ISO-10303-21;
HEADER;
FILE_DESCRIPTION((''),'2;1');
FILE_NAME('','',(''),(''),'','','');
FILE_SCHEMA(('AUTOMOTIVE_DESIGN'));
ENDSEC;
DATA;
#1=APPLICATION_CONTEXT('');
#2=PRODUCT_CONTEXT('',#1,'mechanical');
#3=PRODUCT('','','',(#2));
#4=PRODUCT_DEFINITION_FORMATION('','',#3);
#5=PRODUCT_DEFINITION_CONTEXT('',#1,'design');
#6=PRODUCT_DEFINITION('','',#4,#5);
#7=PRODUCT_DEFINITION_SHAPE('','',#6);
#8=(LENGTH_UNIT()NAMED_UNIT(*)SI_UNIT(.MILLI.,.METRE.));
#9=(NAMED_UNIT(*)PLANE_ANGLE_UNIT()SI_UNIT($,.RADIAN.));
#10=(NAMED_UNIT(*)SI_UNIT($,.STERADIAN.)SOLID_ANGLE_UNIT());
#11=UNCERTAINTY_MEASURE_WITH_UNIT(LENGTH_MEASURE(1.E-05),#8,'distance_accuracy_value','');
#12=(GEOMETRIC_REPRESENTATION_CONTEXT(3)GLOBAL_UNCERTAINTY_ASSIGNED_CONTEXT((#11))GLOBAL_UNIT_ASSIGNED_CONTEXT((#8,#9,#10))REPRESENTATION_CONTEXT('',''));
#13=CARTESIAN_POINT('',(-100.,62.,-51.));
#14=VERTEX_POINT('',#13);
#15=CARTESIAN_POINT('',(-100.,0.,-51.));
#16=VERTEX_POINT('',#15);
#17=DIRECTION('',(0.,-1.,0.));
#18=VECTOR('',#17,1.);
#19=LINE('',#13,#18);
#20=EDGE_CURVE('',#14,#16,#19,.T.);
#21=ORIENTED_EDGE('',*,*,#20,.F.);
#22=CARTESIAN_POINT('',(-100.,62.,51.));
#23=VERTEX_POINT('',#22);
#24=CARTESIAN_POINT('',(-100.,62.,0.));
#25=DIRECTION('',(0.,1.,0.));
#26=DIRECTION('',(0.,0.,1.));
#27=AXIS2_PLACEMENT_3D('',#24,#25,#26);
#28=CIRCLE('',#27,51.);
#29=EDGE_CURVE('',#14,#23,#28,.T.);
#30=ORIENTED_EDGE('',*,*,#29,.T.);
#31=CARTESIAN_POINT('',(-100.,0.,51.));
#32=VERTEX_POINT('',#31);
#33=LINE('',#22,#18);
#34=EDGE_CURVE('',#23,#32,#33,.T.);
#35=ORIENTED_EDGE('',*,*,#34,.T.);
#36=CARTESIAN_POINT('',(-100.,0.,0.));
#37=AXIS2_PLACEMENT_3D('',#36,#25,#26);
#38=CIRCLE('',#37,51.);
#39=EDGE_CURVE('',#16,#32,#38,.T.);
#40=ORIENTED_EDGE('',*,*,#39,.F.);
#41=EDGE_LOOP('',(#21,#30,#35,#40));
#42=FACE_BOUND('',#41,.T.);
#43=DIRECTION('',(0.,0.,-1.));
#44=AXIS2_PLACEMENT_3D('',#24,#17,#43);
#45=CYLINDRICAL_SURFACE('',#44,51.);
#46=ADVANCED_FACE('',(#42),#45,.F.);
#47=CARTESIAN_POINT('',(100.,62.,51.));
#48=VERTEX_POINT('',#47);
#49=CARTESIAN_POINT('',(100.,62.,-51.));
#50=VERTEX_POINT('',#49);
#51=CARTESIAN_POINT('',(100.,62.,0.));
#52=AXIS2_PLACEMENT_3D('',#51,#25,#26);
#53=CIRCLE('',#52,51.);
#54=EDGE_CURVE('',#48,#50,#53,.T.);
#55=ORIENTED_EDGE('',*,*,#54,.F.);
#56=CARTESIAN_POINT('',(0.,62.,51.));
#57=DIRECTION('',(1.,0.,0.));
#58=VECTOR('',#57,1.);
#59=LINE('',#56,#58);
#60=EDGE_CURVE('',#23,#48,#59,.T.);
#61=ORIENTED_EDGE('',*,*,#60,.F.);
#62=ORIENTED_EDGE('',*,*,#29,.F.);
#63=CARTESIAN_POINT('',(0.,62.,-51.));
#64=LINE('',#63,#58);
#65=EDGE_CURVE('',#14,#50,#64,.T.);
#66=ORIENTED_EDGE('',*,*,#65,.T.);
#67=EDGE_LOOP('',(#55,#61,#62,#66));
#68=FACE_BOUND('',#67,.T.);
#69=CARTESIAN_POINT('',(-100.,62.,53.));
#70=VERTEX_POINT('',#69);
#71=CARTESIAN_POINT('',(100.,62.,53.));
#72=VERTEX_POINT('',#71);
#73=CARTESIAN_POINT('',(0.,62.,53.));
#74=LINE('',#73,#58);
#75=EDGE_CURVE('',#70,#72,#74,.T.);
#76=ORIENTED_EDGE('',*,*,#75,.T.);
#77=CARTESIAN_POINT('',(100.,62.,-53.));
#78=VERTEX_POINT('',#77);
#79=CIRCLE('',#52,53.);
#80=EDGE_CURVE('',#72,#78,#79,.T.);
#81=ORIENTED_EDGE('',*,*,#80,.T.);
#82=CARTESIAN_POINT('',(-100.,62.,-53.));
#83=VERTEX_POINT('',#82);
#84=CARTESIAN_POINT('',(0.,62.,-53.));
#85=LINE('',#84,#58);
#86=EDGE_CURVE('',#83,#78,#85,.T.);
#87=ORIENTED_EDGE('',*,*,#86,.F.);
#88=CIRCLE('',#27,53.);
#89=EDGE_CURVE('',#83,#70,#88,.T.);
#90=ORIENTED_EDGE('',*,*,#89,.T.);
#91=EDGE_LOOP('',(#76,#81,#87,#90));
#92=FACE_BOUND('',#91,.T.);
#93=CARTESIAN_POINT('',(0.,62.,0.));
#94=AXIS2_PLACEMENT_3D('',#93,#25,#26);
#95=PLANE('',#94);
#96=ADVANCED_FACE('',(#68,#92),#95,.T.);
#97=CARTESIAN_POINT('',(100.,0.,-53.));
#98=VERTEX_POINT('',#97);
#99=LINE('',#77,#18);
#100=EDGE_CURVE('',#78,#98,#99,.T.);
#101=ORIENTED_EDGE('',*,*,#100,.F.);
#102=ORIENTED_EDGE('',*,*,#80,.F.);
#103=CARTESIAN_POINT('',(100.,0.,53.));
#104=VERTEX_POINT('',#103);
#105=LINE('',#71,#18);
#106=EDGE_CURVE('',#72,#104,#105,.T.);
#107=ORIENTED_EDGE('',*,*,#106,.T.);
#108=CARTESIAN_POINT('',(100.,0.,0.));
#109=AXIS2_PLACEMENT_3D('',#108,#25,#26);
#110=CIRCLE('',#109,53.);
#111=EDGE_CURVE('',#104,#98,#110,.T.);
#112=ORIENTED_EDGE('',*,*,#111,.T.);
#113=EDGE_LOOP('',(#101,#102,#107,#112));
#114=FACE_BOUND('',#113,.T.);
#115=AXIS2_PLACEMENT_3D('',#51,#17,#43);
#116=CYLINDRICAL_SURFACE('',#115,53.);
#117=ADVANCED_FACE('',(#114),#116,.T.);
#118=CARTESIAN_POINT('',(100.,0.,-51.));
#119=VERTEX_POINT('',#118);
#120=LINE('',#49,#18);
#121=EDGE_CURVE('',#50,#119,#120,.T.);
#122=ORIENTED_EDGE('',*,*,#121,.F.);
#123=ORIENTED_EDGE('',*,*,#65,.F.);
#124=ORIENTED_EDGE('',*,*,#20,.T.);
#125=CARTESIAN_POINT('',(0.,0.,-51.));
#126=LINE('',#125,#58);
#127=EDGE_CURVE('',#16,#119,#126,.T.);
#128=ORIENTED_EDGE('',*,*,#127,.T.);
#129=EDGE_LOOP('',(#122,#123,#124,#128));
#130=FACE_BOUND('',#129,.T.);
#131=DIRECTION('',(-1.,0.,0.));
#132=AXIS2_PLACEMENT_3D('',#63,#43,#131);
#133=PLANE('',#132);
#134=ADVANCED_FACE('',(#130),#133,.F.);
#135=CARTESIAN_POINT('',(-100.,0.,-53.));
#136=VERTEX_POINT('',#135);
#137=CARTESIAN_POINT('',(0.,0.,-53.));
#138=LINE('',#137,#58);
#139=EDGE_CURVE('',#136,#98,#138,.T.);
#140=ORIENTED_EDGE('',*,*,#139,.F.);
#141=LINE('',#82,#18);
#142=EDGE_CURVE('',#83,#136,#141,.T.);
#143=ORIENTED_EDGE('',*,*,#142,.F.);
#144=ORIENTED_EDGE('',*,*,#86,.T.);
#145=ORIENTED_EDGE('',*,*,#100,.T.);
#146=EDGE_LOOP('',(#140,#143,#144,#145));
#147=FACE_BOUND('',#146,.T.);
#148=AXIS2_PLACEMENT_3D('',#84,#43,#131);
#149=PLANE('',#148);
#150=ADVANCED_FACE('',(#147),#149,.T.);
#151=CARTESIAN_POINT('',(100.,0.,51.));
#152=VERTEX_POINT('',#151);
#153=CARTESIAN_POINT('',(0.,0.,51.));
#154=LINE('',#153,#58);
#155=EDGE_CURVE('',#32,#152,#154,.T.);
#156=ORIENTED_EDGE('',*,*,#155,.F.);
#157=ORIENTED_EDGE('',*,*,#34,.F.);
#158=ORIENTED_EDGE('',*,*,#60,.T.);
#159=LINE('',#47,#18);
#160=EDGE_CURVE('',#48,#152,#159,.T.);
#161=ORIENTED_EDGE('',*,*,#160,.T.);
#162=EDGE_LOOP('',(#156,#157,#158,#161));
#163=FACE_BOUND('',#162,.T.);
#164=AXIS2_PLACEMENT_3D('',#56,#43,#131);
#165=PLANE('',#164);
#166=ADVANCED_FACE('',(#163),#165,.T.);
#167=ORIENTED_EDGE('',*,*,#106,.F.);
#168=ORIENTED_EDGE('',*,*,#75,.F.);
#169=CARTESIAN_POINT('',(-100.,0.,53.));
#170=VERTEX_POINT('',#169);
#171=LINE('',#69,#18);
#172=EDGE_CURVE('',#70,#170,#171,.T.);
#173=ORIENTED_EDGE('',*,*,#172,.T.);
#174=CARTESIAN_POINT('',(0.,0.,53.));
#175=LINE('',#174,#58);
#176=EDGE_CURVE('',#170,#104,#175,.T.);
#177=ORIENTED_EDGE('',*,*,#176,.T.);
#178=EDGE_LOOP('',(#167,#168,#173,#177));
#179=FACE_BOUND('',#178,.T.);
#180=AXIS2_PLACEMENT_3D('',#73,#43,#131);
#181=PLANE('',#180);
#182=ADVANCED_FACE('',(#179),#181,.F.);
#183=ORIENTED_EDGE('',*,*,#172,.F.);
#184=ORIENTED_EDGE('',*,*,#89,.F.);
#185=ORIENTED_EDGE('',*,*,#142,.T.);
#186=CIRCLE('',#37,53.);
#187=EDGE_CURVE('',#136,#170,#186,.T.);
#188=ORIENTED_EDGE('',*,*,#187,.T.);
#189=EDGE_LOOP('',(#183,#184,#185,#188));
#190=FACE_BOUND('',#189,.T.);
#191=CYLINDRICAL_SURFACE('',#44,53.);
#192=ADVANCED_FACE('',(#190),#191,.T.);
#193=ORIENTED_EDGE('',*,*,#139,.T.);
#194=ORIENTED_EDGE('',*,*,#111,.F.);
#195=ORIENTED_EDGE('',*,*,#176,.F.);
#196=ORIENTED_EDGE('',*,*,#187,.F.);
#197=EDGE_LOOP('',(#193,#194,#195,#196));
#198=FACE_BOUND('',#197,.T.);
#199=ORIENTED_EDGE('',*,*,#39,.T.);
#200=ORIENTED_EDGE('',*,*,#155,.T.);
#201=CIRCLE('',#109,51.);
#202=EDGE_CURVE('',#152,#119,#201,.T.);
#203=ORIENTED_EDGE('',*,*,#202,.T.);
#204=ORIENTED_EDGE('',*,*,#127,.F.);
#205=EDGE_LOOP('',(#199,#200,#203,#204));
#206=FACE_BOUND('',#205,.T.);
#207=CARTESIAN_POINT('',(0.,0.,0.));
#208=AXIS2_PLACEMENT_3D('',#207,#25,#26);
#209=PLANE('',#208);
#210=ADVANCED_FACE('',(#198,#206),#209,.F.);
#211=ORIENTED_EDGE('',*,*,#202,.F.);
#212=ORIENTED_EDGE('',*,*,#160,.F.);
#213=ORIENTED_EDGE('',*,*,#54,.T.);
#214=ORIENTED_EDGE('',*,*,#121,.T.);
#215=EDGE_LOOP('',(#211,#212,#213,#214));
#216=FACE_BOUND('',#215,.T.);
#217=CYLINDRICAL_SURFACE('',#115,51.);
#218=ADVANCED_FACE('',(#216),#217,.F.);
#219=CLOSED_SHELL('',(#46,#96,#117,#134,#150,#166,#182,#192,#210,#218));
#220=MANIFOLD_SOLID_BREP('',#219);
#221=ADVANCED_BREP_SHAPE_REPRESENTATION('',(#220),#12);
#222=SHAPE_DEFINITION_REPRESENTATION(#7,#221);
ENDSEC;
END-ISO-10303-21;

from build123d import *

# Parameters (mm, degrees)
BOSS_EXTRUDE1_DEPTH = 62


with BuildPart() as part:
    # Sketch1 → Boss-Extrude1 (new body)
    with BuildSketch(Plane(origin=(0, 0, 0), x_dir=(1, 0, 0), z_dir=(0, 1, 0))):
        with BuildLine():
            Line((-100, -53), (100, -53))
            ThreePointArc((100, -53), (153, 0), (100, 53))
            Line((100, 53), (-100, 53))
            ThreePointArc((-100, 53), (-153, 0), (-100, -53))
        make_face()
        with BuildLine():
            Line((-100, 51), (100, 51))
            ThreePointArc((100, 51), (151, 0), (100, -51))
            Line((100, -51), (-100, -51))
            ThreePointArc((-100, -51), (-151, 0), (-100, 51))
        make_face(mode=Mode.SUBTRACT)
    extrude(amount=BOSS_EXTRUDE1_DEPTH)


solid = part.part
